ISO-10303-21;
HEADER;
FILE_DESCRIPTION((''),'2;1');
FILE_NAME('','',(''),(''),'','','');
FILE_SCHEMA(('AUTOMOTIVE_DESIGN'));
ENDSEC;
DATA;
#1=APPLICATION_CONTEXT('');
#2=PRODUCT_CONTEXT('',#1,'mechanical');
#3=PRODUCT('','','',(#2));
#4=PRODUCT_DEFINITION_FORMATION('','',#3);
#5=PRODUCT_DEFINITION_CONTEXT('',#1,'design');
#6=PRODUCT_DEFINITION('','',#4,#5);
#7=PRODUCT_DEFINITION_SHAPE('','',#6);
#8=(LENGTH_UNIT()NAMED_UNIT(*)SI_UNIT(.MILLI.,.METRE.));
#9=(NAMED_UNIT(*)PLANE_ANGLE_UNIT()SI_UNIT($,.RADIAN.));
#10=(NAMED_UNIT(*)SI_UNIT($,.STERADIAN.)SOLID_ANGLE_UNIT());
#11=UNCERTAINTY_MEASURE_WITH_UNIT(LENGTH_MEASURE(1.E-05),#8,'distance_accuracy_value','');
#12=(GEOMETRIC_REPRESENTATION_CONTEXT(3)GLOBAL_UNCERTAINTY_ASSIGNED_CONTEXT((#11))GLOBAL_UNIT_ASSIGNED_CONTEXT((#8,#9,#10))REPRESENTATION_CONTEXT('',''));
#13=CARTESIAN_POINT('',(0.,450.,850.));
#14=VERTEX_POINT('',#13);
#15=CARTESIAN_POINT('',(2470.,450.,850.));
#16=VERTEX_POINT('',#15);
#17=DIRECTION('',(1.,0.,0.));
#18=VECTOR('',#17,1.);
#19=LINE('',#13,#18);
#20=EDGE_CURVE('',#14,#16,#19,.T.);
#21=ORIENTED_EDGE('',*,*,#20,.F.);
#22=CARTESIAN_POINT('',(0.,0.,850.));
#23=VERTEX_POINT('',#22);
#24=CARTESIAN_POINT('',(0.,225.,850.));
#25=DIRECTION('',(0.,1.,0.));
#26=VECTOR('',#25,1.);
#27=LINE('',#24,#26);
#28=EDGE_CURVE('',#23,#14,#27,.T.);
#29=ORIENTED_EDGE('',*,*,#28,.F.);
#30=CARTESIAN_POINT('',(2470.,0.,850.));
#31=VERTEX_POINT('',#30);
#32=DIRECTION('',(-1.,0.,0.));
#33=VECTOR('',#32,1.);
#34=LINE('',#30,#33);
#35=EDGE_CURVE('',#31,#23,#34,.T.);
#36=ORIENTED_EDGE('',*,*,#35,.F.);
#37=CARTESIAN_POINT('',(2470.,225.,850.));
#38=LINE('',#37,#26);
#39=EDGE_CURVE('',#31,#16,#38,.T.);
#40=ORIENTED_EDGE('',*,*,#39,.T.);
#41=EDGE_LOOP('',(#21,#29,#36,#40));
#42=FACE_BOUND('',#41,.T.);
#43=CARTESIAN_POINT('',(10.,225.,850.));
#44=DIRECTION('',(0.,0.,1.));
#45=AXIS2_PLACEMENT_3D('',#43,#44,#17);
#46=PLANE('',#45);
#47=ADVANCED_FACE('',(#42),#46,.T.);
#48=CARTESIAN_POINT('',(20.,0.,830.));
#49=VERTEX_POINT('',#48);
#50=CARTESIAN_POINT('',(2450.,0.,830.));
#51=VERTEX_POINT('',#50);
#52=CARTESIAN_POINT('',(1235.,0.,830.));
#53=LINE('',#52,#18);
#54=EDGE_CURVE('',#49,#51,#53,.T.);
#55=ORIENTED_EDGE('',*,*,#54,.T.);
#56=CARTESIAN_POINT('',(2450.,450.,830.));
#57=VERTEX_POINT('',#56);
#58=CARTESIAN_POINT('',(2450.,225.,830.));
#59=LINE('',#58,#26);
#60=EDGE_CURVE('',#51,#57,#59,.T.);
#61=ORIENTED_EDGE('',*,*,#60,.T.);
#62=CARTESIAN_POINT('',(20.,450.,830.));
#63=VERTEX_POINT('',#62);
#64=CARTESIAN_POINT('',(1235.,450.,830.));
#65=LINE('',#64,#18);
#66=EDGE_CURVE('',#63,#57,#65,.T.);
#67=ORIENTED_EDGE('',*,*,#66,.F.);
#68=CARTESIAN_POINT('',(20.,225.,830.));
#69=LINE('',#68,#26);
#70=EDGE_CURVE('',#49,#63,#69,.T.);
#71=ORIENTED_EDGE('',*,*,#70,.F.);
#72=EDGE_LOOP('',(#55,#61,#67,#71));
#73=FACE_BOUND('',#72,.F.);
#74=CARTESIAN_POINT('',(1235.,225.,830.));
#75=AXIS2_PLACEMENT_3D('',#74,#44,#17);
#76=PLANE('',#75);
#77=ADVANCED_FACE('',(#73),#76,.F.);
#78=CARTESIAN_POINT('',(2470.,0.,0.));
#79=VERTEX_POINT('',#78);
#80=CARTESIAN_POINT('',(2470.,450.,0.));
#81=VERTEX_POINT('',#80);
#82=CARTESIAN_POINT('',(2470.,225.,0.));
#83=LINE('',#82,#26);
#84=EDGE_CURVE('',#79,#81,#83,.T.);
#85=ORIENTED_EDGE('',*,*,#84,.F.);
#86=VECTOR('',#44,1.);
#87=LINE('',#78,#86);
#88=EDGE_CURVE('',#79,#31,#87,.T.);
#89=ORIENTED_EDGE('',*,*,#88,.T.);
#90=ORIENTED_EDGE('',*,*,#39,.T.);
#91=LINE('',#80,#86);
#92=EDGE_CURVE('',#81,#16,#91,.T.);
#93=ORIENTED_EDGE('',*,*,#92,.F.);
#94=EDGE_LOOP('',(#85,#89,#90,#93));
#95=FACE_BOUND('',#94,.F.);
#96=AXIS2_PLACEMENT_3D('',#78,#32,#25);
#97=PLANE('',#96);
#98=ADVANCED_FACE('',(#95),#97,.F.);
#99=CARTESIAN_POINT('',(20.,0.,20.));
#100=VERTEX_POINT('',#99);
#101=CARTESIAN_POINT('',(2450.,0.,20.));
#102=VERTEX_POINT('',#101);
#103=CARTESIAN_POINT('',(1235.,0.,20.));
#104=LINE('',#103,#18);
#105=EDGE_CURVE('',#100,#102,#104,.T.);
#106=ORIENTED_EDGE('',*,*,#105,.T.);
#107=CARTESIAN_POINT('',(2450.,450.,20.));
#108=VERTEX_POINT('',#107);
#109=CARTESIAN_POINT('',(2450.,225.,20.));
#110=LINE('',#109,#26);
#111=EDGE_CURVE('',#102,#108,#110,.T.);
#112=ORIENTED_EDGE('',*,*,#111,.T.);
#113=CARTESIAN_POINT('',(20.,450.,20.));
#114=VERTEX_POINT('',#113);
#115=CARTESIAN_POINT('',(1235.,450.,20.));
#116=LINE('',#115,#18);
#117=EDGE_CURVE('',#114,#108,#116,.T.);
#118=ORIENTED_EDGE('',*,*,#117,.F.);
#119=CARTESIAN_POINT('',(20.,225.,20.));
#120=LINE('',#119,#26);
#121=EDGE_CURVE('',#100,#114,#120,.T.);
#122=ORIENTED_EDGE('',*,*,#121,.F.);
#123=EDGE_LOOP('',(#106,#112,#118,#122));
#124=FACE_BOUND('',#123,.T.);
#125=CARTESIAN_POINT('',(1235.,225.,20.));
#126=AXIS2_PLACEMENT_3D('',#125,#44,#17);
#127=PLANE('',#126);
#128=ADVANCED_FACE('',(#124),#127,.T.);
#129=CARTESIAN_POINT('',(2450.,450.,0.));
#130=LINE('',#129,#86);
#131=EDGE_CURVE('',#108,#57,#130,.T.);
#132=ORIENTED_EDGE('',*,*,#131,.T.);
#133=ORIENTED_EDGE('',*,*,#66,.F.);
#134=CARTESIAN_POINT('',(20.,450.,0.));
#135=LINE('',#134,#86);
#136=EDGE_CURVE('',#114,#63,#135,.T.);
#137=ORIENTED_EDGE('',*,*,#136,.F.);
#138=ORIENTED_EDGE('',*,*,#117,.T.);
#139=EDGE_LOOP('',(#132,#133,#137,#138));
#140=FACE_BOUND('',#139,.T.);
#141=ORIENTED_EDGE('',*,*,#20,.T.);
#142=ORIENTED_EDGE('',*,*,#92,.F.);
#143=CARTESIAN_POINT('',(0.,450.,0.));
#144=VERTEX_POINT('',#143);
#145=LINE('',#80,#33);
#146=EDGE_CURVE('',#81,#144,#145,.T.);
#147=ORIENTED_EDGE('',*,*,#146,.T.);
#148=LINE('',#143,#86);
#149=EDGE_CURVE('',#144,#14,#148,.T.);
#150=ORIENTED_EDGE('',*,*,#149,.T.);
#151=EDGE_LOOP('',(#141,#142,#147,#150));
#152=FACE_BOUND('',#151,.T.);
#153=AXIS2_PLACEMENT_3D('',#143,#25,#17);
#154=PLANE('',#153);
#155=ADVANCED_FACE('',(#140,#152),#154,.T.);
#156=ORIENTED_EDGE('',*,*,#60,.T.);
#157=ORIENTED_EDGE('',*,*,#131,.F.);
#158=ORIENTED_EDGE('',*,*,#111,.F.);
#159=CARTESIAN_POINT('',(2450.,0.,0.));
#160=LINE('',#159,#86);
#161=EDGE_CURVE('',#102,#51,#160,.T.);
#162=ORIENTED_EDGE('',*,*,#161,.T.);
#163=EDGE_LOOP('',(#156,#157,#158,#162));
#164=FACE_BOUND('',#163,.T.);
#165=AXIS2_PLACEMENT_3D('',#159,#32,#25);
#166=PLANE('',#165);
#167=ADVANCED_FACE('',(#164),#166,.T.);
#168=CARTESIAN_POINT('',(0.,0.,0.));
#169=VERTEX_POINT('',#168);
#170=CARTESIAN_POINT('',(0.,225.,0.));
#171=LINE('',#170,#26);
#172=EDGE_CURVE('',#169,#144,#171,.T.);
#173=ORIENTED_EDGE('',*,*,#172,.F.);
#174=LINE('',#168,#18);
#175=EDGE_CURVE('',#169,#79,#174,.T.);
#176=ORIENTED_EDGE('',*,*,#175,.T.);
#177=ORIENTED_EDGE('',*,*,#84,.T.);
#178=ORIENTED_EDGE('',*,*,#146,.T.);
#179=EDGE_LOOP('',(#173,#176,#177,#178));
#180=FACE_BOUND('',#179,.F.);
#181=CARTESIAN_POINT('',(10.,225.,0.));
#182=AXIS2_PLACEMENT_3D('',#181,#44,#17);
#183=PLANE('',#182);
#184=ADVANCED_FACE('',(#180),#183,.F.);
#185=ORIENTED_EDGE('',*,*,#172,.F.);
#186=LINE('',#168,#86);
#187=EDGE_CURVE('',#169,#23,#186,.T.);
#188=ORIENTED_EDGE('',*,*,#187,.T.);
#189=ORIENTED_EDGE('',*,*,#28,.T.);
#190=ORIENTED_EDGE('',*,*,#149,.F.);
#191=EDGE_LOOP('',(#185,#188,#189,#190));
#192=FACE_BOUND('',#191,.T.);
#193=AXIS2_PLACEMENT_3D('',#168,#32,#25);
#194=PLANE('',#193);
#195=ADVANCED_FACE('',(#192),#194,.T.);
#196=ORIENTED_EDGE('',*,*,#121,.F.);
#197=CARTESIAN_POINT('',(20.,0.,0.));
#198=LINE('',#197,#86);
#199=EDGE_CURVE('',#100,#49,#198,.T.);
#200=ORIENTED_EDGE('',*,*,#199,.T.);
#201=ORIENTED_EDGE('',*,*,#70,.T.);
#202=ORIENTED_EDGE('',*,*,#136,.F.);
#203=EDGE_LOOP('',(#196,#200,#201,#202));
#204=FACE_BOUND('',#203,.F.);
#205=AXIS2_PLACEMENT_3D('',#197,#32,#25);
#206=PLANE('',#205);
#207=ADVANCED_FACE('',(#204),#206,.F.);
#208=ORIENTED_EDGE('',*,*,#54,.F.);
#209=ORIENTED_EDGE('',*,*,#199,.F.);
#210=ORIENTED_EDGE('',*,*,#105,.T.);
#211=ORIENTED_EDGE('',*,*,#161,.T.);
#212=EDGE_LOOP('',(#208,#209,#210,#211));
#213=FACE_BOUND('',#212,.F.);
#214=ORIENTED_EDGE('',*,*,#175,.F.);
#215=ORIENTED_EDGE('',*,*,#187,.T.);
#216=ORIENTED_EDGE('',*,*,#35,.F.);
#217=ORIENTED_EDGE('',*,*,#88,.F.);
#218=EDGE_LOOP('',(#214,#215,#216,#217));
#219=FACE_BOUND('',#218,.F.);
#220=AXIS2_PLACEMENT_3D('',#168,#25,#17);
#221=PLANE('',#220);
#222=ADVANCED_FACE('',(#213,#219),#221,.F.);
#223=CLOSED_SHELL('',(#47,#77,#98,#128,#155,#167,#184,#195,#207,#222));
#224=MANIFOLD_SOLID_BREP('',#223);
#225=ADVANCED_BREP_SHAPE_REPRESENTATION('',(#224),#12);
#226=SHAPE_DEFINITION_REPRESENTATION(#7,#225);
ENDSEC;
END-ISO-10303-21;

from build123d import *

# Parameters (mm, degrees)
SKETCH001_W      = 20
SKETCH001_H      = 450
EXTRUDE001_DEPTH = 850
SKETCH_W         = 2430
SKETCH_H         = 450
EXTRUDE_DEPTH    = 20


with BuildPart() as lateral_esquerda:
    # Sketch001 → Extrude001 (new body)
    with BuildSketch(Plane.XY):
        with Locations((10, 225)):
            Rectangle(SKETCH001_W, SKETCH001_H)
    extrude(amount=EXTRUDE001_DEPTH)


with BuildPart() as lateral_esquerda001:
    # Clone001 base: copy of lateral esquerda
    add(lateral_esquerda.part)


with BuildPart() as lateral_esquerda001_1:
    # Clone001 placement: moved
    add(lateral_esquerda001.part.moved(Location((2450, 0, 0))))


with BuildPart() as tampo_inferior:
    # Sketch → Extrude (new body)
    with BuildSketch(Plane.XY):
        with Locations((1215, 225)):
            Rectangle(SKETCH_W, SKETCH_H)
    extrude(amount=EXTRUDE_DEPTH)


with BuildPart() as tampo_inferior_1:
    # Extrude placement: moved
    add(tampo_inferior.part.moved(Location((20, 0, 0))))


with BuildPart() as tampo:
    # Clone base: copy of Tampo inferior
    add(tampo_inferior_1.part)


with BuildPart() as tampo_1:
    # Clone placement: moved
    add(tampo.part.moved(Location((0, 0, 830))))


with BuildPart() as caixa_externa:
    # Fusion base: copy of Tampo inferior
    add(tampo_inferior_1.part)

    # Fusion: union lateral esquerda001, tampo, lateral esquerda
    add(lateral_esquerda001_1.part)
    add(tampo_1.part)
    add(lateral_esquerda.part)


solid = caixa_externa.part
